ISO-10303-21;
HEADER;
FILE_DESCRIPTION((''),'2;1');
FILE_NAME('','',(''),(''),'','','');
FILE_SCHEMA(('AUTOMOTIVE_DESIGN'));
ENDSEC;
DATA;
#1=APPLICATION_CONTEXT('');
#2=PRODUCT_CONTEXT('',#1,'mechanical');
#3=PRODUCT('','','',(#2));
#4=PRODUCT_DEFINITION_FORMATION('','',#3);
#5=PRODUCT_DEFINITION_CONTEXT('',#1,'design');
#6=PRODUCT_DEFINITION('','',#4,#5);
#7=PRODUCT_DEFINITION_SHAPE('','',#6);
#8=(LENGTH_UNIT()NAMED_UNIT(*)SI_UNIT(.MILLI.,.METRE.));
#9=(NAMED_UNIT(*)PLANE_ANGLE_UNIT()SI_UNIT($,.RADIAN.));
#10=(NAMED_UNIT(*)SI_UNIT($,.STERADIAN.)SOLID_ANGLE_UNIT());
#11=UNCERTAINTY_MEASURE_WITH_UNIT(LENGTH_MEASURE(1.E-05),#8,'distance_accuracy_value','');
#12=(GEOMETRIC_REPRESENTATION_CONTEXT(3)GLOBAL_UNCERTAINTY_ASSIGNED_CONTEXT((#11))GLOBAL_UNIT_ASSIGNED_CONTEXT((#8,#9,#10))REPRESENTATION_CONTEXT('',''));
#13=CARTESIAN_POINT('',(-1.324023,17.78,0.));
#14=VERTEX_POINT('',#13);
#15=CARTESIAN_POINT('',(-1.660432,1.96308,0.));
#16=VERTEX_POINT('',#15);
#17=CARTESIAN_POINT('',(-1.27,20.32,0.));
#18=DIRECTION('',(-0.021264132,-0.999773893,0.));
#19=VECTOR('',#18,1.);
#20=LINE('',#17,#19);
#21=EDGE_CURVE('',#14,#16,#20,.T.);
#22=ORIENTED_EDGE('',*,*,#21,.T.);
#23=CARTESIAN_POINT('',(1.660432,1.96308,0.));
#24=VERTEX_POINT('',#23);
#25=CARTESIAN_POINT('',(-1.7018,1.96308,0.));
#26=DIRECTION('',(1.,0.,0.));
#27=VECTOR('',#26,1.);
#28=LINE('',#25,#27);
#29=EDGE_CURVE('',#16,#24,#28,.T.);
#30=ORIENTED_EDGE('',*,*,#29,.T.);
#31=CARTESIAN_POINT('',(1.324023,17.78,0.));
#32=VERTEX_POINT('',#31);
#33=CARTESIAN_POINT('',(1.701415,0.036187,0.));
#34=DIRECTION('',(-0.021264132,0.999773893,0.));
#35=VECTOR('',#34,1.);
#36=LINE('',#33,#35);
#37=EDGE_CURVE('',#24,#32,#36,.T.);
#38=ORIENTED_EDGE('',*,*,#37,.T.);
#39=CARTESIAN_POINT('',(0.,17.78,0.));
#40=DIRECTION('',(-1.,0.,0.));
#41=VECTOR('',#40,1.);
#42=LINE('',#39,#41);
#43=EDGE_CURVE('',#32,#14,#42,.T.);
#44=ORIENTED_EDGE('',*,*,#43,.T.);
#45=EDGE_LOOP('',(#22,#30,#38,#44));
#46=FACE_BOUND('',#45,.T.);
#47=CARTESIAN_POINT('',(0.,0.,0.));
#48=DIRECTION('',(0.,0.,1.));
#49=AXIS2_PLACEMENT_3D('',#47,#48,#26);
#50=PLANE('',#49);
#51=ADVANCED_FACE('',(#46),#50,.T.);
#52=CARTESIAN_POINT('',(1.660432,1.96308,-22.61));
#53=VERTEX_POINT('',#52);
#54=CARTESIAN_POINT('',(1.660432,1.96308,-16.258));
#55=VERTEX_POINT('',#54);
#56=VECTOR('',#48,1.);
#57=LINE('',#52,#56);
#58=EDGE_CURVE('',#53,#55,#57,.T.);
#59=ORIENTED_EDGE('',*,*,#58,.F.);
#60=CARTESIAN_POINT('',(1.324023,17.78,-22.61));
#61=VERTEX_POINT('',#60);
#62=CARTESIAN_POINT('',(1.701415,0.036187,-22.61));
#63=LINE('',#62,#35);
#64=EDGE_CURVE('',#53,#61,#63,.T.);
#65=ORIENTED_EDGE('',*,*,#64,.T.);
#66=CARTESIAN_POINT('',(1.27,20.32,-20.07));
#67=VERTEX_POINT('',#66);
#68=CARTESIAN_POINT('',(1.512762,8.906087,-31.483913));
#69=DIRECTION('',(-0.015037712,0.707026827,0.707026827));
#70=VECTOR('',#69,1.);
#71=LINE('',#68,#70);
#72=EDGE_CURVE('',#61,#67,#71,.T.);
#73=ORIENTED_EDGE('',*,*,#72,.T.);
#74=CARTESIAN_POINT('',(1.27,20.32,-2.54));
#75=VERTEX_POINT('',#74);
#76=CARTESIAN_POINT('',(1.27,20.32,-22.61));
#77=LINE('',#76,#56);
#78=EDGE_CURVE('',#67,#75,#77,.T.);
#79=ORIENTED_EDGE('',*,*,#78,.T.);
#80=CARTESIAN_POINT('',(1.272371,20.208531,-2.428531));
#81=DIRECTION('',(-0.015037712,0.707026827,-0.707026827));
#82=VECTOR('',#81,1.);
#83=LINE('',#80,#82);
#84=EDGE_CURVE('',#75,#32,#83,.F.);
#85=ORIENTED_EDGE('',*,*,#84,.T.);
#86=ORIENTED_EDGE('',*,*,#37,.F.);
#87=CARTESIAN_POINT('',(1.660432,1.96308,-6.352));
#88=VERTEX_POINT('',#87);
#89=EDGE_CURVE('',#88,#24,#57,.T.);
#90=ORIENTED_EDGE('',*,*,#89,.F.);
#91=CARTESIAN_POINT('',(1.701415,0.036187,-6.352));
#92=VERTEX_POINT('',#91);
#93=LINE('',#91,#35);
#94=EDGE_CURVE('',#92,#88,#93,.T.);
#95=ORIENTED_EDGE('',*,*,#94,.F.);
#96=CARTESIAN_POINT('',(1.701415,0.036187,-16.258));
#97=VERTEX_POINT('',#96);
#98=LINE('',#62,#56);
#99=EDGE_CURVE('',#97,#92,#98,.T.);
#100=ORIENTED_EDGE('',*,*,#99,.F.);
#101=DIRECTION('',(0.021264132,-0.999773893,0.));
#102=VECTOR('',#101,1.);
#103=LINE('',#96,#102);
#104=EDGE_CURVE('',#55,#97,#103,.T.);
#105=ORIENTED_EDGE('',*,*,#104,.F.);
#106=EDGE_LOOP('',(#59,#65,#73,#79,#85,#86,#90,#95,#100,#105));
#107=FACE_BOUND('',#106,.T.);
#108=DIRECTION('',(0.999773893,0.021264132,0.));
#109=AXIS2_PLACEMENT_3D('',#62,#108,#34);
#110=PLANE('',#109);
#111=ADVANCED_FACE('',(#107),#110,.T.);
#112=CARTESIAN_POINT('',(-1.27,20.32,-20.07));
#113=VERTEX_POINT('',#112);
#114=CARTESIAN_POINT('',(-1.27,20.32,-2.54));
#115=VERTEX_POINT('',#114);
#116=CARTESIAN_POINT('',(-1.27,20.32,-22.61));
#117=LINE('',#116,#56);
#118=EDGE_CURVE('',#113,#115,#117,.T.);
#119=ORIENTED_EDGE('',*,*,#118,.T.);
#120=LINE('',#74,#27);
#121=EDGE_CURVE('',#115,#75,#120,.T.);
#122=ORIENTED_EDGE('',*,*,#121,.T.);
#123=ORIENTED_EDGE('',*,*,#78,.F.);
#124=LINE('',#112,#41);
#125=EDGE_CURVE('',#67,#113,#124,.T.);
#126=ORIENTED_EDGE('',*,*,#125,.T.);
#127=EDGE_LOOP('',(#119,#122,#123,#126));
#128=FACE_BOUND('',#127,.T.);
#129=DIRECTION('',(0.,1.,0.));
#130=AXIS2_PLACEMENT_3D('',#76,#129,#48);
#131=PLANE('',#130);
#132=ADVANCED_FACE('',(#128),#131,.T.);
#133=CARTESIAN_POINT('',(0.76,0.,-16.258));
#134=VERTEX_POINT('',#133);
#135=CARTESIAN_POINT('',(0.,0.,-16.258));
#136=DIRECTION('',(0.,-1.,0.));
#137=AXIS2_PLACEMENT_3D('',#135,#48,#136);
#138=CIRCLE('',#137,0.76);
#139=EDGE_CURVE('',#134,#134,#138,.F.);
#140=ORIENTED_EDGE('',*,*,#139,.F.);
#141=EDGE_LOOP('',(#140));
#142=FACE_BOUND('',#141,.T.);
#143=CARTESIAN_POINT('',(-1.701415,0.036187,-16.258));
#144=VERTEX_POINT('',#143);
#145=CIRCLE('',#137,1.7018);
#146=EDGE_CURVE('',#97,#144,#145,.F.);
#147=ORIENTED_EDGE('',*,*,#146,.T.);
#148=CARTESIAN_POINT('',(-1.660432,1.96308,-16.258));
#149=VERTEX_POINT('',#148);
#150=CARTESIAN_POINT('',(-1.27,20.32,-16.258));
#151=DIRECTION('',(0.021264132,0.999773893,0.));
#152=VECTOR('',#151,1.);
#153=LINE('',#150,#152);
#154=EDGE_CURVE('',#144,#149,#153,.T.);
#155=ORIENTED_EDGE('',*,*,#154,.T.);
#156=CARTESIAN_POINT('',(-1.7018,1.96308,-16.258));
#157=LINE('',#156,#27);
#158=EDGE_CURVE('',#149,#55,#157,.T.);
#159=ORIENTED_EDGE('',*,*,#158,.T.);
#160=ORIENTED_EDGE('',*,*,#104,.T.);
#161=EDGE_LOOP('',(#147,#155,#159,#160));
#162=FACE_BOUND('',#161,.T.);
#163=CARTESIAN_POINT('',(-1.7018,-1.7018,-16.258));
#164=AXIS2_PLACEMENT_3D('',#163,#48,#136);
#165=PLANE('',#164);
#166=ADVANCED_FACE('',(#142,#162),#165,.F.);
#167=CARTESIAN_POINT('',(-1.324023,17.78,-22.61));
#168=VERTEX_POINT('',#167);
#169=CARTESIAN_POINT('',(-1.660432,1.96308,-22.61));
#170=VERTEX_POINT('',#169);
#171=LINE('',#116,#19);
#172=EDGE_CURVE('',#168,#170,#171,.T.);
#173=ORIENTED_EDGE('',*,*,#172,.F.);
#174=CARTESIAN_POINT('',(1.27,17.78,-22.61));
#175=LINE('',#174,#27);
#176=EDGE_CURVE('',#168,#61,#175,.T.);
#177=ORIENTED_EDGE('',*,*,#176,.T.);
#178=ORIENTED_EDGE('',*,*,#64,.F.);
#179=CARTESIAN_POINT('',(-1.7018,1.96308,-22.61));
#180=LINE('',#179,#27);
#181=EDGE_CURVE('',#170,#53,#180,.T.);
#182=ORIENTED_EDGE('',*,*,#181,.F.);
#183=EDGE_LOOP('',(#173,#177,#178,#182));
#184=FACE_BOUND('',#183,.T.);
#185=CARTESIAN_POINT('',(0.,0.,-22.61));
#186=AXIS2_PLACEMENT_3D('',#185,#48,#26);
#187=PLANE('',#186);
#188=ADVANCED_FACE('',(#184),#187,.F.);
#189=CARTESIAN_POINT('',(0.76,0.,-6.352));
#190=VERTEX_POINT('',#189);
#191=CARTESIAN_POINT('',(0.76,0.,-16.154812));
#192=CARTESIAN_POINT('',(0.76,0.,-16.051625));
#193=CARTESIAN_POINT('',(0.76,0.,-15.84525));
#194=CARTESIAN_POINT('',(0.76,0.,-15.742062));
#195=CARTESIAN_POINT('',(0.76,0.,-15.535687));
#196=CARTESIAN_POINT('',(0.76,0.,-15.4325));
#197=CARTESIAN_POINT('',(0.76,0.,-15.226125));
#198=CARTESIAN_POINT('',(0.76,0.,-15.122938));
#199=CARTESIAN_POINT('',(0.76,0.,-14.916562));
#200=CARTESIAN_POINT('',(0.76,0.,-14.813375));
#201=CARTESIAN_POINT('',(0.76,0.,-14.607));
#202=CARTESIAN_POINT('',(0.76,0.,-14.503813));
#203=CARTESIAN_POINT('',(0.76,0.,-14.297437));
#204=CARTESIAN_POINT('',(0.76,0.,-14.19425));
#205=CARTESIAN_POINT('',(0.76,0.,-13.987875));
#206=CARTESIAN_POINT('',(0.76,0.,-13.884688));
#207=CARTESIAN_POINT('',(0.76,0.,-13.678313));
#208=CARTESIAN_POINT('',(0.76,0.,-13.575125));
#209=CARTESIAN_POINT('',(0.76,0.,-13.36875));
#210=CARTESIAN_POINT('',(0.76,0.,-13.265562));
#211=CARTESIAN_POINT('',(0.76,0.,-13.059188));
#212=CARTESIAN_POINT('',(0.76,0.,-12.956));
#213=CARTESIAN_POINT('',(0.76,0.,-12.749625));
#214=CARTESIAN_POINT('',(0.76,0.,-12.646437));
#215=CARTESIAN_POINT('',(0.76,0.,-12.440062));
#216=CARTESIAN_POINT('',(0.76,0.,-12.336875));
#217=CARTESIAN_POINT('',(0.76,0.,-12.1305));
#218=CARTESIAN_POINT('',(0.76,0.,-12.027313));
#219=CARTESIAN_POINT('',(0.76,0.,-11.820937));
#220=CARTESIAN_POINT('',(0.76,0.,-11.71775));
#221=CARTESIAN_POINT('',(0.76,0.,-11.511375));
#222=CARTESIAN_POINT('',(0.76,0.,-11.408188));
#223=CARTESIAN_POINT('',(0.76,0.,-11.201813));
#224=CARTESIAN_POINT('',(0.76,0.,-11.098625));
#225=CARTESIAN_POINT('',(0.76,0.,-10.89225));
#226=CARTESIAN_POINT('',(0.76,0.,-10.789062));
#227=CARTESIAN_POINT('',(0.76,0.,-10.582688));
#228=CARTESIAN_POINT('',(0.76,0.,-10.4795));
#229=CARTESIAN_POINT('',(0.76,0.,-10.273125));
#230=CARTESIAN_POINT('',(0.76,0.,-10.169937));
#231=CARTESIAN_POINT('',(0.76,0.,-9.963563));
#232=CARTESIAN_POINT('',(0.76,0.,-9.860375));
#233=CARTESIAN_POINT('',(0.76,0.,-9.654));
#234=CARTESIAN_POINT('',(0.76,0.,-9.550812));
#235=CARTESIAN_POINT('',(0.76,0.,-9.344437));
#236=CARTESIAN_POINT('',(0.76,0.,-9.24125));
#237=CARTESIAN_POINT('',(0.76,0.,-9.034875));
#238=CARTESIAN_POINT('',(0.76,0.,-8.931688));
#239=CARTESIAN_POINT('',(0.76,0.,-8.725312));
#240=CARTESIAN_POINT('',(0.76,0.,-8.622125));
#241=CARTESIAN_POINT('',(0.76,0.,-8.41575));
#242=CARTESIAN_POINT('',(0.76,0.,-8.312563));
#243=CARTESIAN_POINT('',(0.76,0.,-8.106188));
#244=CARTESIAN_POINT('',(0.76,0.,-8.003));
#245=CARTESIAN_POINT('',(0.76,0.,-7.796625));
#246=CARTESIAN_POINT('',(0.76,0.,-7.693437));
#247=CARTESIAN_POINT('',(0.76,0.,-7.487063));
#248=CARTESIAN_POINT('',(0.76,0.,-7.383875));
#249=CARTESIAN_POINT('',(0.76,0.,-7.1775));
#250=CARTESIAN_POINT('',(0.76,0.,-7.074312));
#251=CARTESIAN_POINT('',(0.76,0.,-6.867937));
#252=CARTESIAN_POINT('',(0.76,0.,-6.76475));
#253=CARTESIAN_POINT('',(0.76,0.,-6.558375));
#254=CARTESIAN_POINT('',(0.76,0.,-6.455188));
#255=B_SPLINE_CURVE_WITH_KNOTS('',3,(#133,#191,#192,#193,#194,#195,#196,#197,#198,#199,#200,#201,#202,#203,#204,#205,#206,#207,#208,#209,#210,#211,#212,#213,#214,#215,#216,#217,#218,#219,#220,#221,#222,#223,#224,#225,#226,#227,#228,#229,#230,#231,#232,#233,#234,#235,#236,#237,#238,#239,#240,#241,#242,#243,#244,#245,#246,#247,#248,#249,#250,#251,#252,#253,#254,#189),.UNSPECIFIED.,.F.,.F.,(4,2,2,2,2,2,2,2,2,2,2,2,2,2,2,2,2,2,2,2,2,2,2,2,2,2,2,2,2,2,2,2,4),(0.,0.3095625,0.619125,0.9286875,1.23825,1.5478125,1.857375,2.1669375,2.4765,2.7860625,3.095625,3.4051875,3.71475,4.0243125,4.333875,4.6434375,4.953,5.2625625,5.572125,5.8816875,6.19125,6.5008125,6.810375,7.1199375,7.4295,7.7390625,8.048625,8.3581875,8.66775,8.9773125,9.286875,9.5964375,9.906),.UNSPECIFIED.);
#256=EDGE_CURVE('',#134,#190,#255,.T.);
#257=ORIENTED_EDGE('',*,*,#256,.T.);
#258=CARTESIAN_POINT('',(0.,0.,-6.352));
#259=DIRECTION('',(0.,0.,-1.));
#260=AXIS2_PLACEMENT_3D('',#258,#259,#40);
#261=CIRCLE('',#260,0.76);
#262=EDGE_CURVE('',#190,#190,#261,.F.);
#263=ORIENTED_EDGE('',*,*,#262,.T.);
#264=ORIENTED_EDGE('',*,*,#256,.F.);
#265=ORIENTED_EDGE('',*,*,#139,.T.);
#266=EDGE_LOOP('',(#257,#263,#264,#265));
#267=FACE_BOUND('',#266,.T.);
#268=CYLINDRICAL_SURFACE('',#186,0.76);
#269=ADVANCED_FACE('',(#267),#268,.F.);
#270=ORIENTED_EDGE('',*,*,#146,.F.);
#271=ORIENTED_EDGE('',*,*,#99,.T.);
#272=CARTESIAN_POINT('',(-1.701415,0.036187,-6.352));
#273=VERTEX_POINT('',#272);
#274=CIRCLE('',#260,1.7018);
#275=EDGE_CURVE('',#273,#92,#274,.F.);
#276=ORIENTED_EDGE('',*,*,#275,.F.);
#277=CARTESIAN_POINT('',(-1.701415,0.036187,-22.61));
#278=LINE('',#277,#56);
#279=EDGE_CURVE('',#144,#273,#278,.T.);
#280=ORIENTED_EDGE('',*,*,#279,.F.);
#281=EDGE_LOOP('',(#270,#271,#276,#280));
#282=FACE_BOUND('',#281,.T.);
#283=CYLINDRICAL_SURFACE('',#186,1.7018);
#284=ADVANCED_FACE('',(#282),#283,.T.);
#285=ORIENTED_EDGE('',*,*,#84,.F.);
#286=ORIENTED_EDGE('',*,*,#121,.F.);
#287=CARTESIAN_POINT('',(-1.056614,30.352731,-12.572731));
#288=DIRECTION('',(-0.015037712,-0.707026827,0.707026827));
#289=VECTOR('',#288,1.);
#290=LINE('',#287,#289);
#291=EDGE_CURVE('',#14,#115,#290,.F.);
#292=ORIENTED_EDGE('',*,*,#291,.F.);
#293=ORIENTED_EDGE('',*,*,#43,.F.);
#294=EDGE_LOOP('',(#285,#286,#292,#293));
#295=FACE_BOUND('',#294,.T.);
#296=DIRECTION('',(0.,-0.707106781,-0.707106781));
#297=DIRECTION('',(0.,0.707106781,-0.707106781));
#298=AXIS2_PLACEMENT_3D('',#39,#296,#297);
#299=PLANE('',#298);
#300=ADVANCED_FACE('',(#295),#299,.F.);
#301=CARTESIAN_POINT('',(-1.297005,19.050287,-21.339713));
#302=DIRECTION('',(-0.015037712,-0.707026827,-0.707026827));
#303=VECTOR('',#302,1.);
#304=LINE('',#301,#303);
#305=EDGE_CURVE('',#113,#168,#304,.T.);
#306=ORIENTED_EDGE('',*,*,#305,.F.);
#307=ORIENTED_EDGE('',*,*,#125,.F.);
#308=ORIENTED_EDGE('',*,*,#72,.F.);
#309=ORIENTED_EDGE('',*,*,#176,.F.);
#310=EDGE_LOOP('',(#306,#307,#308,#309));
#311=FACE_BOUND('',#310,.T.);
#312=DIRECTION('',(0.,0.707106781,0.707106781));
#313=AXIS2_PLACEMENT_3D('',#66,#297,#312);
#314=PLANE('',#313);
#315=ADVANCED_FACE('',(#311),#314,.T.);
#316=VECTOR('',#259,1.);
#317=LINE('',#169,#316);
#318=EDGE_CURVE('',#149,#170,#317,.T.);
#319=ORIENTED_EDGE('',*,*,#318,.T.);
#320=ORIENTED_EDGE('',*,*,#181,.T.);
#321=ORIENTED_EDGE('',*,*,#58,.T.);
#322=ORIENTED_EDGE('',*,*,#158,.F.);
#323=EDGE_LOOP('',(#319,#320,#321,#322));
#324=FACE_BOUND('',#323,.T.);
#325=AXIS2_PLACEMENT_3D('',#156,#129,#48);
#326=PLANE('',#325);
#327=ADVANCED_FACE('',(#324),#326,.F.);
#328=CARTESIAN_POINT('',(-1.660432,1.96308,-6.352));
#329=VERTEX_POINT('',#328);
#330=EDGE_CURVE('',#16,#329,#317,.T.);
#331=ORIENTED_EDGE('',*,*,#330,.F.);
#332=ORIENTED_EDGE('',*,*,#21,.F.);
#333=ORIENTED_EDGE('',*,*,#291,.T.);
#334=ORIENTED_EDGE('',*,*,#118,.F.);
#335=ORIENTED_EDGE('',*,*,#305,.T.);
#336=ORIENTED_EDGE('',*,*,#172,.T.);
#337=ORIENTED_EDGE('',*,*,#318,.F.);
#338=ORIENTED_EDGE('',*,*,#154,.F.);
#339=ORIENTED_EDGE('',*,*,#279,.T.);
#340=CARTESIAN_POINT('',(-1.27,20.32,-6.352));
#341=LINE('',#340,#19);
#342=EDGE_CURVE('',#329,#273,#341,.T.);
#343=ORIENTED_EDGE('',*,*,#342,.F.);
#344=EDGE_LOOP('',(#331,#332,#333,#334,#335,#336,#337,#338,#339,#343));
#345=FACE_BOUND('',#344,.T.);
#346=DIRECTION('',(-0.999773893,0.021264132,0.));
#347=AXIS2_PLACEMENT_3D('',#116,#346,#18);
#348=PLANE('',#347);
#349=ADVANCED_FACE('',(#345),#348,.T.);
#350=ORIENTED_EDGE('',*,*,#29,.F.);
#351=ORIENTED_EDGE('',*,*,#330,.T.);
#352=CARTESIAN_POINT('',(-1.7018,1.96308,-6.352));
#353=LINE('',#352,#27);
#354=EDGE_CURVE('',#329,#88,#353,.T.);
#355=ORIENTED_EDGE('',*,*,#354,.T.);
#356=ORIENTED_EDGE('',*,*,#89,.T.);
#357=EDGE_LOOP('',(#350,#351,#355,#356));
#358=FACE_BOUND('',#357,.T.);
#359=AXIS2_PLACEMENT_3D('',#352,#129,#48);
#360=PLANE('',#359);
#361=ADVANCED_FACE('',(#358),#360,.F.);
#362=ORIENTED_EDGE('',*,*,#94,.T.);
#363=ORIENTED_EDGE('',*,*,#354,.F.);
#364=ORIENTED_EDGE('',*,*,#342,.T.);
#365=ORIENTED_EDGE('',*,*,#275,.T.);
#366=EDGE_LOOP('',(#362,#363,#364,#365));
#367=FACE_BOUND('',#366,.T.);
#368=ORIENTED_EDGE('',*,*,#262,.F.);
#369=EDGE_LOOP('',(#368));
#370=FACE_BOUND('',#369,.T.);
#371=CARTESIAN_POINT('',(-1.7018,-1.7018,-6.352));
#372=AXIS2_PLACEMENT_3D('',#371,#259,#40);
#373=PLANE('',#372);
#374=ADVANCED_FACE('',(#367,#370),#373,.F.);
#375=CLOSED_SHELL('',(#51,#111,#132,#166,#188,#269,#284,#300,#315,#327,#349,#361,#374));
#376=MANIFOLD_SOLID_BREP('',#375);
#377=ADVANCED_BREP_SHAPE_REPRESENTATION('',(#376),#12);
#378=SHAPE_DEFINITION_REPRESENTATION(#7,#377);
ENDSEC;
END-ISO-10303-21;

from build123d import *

# Parameters (mm, degrees)
EXTRUDE1_DEPTH      = 22.61
CHAMFER1_SIZE       = 2.54
SKETCH2_R           = 0.76
CUT_EXTRUDE1_DEPTH  = 31.446849151
EXTRUDE2_DEPTH      = 31.446849151
EXTRUDE2_DEPTH_BACK = 31.446849151
SKETCH3_W           = 6.352
SKETCH3_H           = 3.664879672


with BuildPart() as part:
    # Sketch1 → Extrude1 (new body)
    with BuildSketch(Plane.XY):
        with BuildLine():
            Line((-1.27, 20.32), (-1.701415211, 0.036187299))
            ThreePointArc((-1.701415211, 0.036187299), (0, -1.7018), (1.701415211, 0.036187299))
            Line((1.701415211, 0.036187299), (1.27, 20.32))
            Line((1.27, 20.32), (-1.27, 20.32))
        make_face()
    extrude(amount=-EXTRUDE1_DEPTH)

    # Chamfer1
    chamfer1_edges = [part.edges().sort_by_distance(p)[0] for p in [
        (0, 20.32, -22.61),
        (0, 20.32, 0),
    ]]
    chamfer(chamfer1_edges, length=CHAMFER1_SIZE)

    # Sketch2 → Cut-Extrude1 (cut, through all)
    with BuildSketch(Plane.XY):
        Circle(SKETCH2_R)
    extrude(amount=-CUT_EXTRUDE1_DEPTH, mode=Mode.SUBTRACT)

    # Sketch3 → Extrude2 (cut, two sides: drawn at the far end of the back side and taken through both)
    with BuildSketch(Plane(origin=(0, 0, 0), x_dir=(0, 0, -1), z_dir=(1, 0, 0)).offset(-EXTRUDE2_DEPTH_BACK)):
        with Locations((3.176, 0.130639836)):
            Rectangle(SKETCH3_W, SKETCH3_H)
        with Locations((19.434, 0.130639836)):
            Rectangle(SKETCH3_W, SKETCH3_H)
    extrude(amount=EXTRUDE2_DEPTH + EXTRUDE2_DEPTH_BACK, mode=Mode.SUBTRACT)


solid = part.part
